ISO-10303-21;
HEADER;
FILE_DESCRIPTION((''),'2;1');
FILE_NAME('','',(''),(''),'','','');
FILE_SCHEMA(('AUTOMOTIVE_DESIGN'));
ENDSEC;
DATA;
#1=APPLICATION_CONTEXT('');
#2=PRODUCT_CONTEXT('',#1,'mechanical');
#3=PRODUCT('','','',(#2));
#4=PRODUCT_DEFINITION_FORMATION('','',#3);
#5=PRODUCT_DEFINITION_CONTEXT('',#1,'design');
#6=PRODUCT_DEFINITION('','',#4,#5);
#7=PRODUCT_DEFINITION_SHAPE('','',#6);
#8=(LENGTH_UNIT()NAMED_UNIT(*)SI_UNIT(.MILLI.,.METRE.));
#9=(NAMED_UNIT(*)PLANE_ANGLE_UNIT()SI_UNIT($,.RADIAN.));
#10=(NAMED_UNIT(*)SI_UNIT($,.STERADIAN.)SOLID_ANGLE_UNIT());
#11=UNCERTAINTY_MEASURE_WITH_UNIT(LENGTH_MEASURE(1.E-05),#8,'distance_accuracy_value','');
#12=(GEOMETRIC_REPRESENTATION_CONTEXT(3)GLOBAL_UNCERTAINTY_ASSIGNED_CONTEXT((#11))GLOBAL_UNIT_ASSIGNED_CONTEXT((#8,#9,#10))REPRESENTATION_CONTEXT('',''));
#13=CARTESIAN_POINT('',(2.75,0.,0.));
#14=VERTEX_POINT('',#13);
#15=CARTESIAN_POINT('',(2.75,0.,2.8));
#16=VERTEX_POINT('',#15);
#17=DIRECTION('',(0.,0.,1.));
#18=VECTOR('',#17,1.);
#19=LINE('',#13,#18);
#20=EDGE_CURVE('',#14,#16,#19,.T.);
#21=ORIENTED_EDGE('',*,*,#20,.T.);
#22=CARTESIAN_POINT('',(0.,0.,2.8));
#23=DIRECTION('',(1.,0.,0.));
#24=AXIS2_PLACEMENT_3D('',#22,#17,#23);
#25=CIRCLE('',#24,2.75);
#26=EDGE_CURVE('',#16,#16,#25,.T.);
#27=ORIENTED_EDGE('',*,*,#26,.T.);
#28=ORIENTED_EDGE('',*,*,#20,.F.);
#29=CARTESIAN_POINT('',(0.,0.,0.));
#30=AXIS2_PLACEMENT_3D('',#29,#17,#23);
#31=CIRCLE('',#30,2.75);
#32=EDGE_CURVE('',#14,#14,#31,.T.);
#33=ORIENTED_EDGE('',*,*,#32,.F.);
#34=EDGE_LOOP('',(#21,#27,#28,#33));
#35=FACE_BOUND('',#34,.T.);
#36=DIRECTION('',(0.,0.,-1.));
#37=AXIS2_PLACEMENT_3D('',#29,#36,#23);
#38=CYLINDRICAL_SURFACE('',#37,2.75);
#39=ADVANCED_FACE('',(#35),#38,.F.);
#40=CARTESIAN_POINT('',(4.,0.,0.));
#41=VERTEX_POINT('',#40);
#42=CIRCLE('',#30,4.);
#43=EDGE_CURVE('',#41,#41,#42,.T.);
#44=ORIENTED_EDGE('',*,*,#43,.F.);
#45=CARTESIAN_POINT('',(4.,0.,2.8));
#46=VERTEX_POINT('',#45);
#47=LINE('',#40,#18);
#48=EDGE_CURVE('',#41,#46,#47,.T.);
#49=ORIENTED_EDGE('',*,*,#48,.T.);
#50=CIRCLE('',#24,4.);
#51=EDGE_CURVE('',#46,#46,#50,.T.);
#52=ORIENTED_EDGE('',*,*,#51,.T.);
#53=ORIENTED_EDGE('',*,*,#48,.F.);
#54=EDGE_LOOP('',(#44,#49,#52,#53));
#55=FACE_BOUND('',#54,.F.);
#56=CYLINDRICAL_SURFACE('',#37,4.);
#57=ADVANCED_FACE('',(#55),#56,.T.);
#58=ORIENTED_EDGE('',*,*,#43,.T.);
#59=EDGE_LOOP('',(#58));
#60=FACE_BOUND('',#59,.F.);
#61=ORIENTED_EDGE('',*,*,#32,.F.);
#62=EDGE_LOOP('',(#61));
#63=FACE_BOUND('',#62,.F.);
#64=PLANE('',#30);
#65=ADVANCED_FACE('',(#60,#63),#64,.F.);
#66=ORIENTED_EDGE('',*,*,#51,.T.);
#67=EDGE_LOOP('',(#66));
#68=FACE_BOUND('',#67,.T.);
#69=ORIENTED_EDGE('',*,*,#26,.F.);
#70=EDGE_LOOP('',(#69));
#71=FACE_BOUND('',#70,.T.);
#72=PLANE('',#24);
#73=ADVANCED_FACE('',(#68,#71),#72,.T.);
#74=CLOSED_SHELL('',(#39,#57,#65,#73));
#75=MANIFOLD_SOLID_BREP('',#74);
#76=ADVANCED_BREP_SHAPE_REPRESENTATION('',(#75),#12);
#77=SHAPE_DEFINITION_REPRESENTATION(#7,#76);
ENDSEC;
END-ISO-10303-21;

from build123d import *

# Parameters (mm, degrees)
SKETCH_R   = 4
SKETCH_R_2 = 2.75
PAD_DEPTH  = 2.8


with BuildPart() as part:
    # Sketch → Pad (new body)
    with BuildSketch(Plane.XY):
        Circle(SKETCH_R)
        Circle(SKETCH_R_2, mode=Mode.SUBTRACT)
    extrude(amount=PAD_DEPTH)


solid = part.part
